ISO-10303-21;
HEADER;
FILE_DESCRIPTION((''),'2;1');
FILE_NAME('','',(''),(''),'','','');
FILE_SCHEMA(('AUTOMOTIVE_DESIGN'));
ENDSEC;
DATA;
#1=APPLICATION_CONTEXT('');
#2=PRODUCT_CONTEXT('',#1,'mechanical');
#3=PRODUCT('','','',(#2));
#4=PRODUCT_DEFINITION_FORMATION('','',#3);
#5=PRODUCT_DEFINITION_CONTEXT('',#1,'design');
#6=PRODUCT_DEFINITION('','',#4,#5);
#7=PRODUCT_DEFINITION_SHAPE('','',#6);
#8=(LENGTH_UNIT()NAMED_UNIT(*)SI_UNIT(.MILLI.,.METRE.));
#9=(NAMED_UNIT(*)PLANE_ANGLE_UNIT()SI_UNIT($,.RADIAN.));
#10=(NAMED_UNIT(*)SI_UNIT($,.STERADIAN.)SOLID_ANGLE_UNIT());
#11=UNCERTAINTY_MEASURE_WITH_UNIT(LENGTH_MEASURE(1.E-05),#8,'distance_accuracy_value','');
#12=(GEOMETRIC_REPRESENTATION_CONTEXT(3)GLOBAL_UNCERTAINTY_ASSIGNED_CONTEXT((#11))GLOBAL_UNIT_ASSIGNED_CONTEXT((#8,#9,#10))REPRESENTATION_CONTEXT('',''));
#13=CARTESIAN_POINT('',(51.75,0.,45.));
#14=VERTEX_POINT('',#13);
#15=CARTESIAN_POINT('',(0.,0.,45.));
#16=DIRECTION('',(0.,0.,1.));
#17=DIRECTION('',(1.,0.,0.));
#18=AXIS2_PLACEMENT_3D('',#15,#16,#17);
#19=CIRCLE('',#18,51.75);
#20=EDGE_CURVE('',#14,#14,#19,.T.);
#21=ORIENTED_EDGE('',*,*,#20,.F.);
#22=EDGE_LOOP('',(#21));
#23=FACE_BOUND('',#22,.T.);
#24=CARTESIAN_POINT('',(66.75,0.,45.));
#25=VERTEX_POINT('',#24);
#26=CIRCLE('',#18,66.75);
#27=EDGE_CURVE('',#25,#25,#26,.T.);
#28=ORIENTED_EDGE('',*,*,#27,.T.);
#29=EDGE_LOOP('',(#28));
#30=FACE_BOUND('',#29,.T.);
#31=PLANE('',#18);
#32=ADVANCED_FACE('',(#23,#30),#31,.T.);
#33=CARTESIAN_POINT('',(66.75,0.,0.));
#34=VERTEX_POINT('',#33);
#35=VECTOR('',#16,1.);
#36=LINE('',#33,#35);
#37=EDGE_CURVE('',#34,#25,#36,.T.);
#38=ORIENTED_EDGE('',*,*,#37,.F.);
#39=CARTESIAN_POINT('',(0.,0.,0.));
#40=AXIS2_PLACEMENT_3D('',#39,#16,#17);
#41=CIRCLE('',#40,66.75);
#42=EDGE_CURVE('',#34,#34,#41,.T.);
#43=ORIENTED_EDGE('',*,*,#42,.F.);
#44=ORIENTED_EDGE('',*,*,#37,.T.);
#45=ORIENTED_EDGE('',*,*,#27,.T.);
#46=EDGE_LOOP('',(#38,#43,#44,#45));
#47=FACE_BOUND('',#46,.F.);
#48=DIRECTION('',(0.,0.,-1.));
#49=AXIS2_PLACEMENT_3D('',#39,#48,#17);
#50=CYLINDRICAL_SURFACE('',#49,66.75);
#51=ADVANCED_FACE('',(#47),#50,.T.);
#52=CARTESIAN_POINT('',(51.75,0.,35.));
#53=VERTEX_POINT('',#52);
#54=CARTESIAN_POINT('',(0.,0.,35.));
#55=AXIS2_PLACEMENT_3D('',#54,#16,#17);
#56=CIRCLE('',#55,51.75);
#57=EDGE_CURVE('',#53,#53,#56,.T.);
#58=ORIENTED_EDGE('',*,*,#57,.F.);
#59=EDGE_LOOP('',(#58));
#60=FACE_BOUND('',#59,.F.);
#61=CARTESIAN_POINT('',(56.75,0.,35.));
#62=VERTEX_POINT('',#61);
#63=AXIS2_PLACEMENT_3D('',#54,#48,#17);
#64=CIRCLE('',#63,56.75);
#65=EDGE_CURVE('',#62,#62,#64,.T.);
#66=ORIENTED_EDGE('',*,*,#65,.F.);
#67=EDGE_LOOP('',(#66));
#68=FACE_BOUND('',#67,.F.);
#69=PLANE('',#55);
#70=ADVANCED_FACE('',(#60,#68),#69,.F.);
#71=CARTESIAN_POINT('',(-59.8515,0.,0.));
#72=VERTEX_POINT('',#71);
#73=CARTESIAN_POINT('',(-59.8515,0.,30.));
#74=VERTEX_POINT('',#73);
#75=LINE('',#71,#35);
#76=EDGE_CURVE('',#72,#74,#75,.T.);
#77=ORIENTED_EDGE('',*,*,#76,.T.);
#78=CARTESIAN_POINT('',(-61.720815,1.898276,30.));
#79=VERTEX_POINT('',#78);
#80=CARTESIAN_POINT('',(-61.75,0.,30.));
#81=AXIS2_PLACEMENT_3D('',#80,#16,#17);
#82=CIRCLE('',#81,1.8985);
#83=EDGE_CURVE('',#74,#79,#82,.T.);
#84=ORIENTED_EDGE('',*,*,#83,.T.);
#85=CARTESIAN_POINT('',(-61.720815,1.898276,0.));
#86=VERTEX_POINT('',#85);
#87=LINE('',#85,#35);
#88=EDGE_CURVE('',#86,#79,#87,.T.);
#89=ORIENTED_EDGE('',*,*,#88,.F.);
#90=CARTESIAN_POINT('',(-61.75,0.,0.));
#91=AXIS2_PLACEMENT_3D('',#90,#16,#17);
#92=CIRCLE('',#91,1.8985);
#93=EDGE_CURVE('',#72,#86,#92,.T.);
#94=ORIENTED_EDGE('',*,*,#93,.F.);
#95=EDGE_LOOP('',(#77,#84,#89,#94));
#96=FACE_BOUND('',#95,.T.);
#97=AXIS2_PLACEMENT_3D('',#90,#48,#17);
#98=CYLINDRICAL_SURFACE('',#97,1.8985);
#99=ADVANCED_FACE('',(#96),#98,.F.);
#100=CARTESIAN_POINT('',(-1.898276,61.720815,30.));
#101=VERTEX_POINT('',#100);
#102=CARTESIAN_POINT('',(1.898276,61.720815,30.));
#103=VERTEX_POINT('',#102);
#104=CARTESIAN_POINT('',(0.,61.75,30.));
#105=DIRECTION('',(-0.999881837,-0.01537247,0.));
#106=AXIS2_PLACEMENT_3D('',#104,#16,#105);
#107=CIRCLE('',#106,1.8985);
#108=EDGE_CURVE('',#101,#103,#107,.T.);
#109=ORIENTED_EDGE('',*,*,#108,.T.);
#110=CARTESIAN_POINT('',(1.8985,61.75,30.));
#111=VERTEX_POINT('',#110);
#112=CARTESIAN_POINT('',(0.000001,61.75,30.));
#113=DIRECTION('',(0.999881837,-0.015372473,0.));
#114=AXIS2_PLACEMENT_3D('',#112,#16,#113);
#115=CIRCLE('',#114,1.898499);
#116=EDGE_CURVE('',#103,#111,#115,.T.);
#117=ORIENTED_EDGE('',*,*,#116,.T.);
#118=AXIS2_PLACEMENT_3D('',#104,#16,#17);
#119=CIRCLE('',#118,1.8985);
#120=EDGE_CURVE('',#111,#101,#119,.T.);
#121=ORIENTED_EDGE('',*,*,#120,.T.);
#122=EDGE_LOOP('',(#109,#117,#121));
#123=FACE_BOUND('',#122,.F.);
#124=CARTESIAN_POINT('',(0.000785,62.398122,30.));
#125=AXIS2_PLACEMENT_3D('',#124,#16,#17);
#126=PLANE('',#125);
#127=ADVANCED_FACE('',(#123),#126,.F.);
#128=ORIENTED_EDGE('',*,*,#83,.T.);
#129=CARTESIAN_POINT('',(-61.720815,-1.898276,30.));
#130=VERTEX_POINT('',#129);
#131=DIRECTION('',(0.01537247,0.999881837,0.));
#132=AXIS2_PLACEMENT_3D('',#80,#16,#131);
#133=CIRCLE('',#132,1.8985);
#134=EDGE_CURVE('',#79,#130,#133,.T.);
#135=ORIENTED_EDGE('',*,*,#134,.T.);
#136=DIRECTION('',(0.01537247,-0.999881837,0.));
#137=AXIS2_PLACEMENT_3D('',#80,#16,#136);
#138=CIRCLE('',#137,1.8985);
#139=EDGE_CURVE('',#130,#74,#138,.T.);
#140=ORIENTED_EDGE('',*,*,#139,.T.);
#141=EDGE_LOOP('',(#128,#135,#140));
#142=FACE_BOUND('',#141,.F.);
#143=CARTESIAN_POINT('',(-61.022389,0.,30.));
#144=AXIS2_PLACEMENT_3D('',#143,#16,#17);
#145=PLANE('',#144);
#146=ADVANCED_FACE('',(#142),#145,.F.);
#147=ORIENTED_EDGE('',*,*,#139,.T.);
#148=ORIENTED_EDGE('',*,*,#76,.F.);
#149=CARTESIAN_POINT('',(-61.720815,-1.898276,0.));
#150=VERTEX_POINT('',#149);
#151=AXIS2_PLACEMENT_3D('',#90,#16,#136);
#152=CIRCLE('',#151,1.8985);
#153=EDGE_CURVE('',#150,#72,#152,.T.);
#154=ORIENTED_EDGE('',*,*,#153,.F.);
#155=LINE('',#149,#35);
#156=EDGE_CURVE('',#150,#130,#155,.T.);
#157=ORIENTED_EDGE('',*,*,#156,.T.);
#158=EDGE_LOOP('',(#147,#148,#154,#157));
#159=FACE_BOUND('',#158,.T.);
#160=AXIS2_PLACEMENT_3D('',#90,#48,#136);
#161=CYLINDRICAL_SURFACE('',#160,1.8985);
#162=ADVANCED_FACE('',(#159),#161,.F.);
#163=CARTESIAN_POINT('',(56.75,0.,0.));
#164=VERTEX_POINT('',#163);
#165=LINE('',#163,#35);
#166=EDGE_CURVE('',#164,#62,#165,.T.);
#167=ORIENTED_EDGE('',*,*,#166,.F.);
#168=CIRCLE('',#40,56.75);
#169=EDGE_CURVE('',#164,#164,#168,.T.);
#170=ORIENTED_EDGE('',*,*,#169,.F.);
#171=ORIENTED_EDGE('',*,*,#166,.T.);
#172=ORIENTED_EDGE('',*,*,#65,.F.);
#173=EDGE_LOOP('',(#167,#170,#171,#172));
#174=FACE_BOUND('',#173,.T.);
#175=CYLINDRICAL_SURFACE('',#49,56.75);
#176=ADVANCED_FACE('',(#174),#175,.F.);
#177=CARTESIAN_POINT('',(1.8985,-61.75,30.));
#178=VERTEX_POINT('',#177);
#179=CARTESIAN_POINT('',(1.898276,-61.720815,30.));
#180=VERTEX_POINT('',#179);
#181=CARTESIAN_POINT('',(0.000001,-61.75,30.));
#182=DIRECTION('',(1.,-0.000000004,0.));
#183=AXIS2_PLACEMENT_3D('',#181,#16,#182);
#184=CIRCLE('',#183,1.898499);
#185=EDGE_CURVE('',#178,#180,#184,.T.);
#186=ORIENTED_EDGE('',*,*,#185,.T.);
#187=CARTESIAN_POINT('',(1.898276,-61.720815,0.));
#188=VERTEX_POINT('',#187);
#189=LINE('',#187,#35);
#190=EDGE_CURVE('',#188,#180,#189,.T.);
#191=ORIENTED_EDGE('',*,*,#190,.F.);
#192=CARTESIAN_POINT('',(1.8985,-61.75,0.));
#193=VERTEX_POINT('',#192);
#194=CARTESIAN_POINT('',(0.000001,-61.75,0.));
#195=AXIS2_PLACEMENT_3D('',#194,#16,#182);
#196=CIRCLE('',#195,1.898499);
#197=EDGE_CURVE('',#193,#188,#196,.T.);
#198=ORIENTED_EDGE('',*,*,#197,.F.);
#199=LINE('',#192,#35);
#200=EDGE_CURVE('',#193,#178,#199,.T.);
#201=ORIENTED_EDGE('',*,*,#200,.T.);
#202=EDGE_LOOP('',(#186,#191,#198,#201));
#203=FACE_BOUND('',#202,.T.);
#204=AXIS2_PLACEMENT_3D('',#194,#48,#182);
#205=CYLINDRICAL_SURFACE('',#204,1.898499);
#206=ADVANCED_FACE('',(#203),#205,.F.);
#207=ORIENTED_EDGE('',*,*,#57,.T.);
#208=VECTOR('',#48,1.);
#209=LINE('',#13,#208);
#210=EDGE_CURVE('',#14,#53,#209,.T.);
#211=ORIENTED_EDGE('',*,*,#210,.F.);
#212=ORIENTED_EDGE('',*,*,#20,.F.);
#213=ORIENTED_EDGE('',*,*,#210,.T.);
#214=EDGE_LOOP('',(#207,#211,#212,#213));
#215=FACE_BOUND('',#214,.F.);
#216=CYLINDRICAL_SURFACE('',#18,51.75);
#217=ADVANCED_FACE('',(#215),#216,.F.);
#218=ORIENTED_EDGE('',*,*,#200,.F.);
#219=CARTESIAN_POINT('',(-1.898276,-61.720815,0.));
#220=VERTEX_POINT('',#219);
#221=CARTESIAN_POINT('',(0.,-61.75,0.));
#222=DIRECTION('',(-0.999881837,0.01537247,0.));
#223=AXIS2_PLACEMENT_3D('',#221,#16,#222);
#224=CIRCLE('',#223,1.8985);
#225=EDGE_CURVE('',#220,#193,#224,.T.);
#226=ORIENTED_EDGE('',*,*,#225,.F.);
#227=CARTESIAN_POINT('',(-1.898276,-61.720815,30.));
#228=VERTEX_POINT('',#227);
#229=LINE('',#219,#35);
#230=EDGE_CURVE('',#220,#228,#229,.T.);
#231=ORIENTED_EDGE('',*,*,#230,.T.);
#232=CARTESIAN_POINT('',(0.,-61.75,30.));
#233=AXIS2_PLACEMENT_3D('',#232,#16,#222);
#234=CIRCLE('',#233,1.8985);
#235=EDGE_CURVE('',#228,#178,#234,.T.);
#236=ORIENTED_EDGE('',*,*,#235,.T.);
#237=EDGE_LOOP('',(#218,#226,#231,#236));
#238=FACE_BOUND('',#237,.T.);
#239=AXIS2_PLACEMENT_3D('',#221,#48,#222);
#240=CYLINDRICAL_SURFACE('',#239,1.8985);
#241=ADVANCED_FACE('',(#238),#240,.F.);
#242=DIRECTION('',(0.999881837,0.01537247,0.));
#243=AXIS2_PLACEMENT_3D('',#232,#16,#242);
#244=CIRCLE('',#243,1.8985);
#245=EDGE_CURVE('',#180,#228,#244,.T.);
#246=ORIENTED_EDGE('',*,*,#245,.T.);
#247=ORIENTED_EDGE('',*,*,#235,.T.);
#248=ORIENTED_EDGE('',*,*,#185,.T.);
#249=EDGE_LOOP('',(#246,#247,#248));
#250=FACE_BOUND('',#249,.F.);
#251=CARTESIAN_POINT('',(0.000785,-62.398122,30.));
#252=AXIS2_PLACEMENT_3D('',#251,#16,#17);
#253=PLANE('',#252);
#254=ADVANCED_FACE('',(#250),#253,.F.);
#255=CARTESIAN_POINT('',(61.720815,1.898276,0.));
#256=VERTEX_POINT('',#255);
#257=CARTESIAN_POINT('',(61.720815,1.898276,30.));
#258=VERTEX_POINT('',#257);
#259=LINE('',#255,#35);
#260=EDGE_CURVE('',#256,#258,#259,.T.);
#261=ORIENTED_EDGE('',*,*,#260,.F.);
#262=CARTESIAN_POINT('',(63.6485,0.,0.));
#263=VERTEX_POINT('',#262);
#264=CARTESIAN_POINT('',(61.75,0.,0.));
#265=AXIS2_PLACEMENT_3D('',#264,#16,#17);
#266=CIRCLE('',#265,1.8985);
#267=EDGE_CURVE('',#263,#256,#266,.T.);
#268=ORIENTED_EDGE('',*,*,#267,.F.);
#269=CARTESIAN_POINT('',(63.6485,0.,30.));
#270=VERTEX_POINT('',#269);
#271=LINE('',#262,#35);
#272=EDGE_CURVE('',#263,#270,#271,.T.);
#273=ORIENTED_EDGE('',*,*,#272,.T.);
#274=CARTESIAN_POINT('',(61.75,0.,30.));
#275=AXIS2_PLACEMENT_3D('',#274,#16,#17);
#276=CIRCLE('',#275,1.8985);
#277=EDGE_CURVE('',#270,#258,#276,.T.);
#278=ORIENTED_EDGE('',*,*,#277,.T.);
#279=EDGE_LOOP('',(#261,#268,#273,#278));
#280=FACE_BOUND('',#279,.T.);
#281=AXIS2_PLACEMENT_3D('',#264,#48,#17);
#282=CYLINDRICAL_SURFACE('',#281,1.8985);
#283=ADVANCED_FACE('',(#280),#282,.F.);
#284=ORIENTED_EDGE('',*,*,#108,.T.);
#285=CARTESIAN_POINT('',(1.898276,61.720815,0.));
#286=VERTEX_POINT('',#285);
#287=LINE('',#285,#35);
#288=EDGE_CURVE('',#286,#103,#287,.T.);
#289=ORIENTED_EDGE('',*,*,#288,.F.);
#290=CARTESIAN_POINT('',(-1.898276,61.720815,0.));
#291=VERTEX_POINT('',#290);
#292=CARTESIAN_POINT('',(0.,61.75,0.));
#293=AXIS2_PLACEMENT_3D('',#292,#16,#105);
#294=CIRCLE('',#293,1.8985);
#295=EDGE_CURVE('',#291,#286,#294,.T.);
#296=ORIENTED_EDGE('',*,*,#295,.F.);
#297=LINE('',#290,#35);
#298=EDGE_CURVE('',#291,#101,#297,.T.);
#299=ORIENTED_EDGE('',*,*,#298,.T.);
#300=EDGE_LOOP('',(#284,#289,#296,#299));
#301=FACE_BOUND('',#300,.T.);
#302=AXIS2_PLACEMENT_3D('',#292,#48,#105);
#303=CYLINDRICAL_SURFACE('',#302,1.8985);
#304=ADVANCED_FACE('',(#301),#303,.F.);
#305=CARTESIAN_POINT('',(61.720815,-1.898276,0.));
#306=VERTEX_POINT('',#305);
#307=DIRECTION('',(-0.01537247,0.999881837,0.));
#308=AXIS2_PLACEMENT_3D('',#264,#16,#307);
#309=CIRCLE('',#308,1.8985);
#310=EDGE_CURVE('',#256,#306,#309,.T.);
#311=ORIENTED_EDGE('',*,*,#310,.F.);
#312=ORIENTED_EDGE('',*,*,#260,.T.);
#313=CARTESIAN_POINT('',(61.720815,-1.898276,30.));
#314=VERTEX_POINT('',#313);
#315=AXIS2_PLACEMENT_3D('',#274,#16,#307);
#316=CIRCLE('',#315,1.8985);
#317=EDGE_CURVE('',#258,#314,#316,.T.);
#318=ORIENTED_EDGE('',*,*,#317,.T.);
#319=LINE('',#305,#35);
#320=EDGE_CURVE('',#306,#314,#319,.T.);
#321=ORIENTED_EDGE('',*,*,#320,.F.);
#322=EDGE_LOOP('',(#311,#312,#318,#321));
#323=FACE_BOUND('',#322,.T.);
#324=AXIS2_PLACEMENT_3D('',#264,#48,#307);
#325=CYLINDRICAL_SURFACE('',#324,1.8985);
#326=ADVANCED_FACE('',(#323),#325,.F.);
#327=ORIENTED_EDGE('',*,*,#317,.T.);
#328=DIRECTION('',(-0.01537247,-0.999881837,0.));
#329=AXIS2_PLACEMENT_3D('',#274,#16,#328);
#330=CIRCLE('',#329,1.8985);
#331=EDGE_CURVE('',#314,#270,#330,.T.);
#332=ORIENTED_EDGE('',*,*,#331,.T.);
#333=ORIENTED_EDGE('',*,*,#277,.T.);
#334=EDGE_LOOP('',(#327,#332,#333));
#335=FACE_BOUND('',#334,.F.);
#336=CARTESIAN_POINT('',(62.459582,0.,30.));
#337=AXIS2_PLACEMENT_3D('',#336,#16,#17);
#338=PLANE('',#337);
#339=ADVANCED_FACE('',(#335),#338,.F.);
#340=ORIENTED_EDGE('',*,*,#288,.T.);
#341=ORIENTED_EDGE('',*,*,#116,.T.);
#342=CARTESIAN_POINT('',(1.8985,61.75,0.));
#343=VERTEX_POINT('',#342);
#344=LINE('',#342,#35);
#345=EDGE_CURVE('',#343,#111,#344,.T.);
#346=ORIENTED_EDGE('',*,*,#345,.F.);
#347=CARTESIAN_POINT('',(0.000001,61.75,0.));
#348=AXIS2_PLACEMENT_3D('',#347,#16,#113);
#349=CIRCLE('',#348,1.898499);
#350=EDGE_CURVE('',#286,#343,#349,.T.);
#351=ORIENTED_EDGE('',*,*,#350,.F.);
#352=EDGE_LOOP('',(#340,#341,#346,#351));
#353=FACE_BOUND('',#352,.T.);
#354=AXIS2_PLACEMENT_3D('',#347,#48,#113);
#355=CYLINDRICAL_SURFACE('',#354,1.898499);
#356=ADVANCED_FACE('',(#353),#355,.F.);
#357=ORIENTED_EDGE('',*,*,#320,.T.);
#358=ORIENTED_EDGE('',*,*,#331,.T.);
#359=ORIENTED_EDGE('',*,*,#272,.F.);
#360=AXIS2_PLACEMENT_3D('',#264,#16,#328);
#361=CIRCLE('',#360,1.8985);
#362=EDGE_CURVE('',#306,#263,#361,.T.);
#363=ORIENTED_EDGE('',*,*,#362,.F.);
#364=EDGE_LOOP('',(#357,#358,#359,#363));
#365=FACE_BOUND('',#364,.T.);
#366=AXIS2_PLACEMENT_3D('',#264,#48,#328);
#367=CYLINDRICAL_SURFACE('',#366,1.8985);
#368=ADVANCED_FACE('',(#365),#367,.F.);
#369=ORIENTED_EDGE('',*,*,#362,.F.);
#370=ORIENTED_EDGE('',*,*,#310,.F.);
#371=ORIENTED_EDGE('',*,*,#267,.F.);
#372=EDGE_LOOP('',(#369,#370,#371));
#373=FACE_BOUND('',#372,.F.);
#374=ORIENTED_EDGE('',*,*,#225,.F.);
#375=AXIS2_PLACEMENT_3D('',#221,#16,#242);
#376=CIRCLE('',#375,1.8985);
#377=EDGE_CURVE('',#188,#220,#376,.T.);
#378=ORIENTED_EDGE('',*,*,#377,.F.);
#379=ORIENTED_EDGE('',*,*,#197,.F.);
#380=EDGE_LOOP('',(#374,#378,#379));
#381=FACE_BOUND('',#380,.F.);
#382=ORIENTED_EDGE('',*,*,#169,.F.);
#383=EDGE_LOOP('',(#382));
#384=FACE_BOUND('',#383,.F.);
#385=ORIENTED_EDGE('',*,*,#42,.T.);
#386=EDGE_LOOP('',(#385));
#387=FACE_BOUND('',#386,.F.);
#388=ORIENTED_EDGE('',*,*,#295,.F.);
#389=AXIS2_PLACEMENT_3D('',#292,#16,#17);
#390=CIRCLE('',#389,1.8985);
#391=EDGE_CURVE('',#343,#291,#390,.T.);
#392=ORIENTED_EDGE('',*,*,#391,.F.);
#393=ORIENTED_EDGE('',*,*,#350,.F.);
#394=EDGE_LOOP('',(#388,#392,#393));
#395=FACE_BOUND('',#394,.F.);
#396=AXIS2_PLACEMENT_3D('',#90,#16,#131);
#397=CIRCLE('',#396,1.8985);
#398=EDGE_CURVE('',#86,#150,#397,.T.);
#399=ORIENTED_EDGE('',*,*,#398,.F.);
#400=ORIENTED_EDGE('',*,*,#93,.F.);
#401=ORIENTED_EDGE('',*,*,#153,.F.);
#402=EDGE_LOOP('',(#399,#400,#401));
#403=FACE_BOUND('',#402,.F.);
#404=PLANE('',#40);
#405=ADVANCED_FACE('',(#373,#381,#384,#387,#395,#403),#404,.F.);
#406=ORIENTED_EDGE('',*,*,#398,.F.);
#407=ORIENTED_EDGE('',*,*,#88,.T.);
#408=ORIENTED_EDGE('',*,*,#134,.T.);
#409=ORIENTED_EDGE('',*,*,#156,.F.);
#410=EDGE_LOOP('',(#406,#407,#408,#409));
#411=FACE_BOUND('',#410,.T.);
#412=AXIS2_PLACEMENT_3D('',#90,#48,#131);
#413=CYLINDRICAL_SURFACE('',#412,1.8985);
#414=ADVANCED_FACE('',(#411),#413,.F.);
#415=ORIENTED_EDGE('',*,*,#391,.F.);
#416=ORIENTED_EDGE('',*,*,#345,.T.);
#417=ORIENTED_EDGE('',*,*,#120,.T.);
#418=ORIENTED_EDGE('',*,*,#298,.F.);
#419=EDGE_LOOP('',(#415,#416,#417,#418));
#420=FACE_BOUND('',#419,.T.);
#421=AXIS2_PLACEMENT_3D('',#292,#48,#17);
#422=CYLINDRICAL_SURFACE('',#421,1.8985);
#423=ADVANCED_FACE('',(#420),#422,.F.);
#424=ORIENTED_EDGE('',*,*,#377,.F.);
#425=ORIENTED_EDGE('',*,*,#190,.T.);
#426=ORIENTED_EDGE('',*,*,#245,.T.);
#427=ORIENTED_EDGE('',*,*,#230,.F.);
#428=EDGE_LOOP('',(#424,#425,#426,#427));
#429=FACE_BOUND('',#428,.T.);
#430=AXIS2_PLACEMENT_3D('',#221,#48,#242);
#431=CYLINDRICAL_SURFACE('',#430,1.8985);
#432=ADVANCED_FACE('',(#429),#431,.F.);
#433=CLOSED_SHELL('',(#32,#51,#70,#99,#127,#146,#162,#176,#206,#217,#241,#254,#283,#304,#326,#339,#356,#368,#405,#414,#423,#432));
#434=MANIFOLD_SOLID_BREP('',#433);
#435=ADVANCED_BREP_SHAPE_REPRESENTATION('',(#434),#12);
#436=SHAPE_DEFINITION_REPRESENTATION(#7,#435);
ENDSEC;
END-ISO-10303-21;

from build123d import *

# Parameters (mm, degrees)
F0_R     = 66.75
F0_R_2   = 56.75
F1_DEPTH = 45
F2_R     = 66.75
F2_R_2   = 56.75
F2_R_3   = 51.75
F3_DEPTH = 10
F6_DEPTH = 30


with BuildPart() as f1:
    # F0 (on Top) → F1 (new body)
    with BuildSketch(Plane.XY):
        Circle(F0_R)
        Circle(F0_R_2, mode=Mode.SUBTRACT)
    extrude(amount=F1_DEPTH)

    # F2 (on face) → F3 (join)
    with BuildSketch(Plane.XY.offset(45)):
        Circle(F2_R)
        Circle(F2_R_2, mode=Mode.SUBTRACT)
        Circle(F2_R_2)
        Circle(F2_R_3, mode=Mode.SUBTRACT)
    extrude(amount=-F3_DEPTH)

    # F5 (on Top) → F6 (cut)
    with BuildSketch(Plane.XY):
        with BuildLine():
            ThreePointArc((-1.8982756668, 61.7208153664), (0, 61.75), (1.8982756668, 61.7208153664))
            ThreePointArc((1.8982756668, 61.7208153664), (1.8984439159, 61.7354072521), (1.8985, 61.75))
            ThreePointArc((1.8985, 61.75), (-0.0145927479, 63.6484439159), (-1.8982756668, 61.7208153664))
        make_face()
        with BuildLine():
            ThreePointArc((-1.8982756668, 61.7208153664), (0, 59.8515), (1.8982756668, 61.7208153664))
            ThreePointArc((1.8982756668, 61.7208153664), (0, 61.75), (-1.8982756668, 61.7208153664))
        make_face()
        with BuildLine():
            ThreePointArc((61.7208153664, 1.8982756668), (61.7427034105, 0.94925), (61.75, 0))
            ThreePointArc((61.75, 0), (61.7427034105, -0.94925), (61.7208153664, -1.8982756668))
            ThreePointArc((61.7208153664, -1.8982756668), (63.0820839356, -1.3527211976), (63.6485, 0))
            ThreePointArc((63.6485, 0), (63.0820839356, 1.3527211976), (61.7208153664, 1.8982756668))
        make_face()
        with BuildLine():
            ThreePointArc((61.7208153664, -1.8982756668), (61.7427034105, -0.94925), (61.75, 0))
            ThreePointArc((61.75, 0), (61.7427034105, 0.94925), (61.7208153664, 1.8982756668))
            ThreePointArc((61.7208153664, 1.8982756668), (59.8515, 0), (61.7208153664, -1.8982756668))
        make_face()
        with BuildLine():
            ThreePointArc((1.8985, -61.75), (1.8984439159, -61.7354072521), (1.8982756668, -61.7208153664))
            ThreePointArc((1.8982756668, -61.7208153664), (0, -61.75), (-1.8982756668, -61.7208153664))
            ThreePointArc((-1.8982756668, -61.7208153664), (-0.0145927479, -63.6484439159), (1.8985, -61.75))
        make_face()
        with BuildLine():
            ThreePointArc((-1.8982756668, -61.7208153664), (0, -61.75), (1.8982756668, -61.7208153664))
            ThreePointArc((1.8982756668, -61.7208153664), (0, -59.8515), (-1.8982756668, -61.7208153664))
        make_face()
        with BuildLine():
            ThreePointArc((-59.8515, 0), (-60.3972788024, 1.3320839356), (-61.7208153664, 1.8982756668))
            ThreePointArc((-61.7208153664, 1.8982756668), (-61.75, 0), (-61.7208153664, -1.8982756668))
            ThreePointArc((-61.7208153664, -1.8982756668), (-60.3972788024, -1.3320839356), (-59.8515, 0))
        make_face()
        with BuildLine():
            ThreePointArc((-61.7208153664, -1.8982756668), (-61.75, 0), (-61.7208153664, 1.8982756668))
            ThreePointArc((-61.7208153664, 1.8982756668), (-63.6485, 0), (-61.7208153664, -1.8982756668))
        make_face()
    extrude(amount=F6_DEPTH, mode=Mode.SUBTRACT)


solid = f1.part
